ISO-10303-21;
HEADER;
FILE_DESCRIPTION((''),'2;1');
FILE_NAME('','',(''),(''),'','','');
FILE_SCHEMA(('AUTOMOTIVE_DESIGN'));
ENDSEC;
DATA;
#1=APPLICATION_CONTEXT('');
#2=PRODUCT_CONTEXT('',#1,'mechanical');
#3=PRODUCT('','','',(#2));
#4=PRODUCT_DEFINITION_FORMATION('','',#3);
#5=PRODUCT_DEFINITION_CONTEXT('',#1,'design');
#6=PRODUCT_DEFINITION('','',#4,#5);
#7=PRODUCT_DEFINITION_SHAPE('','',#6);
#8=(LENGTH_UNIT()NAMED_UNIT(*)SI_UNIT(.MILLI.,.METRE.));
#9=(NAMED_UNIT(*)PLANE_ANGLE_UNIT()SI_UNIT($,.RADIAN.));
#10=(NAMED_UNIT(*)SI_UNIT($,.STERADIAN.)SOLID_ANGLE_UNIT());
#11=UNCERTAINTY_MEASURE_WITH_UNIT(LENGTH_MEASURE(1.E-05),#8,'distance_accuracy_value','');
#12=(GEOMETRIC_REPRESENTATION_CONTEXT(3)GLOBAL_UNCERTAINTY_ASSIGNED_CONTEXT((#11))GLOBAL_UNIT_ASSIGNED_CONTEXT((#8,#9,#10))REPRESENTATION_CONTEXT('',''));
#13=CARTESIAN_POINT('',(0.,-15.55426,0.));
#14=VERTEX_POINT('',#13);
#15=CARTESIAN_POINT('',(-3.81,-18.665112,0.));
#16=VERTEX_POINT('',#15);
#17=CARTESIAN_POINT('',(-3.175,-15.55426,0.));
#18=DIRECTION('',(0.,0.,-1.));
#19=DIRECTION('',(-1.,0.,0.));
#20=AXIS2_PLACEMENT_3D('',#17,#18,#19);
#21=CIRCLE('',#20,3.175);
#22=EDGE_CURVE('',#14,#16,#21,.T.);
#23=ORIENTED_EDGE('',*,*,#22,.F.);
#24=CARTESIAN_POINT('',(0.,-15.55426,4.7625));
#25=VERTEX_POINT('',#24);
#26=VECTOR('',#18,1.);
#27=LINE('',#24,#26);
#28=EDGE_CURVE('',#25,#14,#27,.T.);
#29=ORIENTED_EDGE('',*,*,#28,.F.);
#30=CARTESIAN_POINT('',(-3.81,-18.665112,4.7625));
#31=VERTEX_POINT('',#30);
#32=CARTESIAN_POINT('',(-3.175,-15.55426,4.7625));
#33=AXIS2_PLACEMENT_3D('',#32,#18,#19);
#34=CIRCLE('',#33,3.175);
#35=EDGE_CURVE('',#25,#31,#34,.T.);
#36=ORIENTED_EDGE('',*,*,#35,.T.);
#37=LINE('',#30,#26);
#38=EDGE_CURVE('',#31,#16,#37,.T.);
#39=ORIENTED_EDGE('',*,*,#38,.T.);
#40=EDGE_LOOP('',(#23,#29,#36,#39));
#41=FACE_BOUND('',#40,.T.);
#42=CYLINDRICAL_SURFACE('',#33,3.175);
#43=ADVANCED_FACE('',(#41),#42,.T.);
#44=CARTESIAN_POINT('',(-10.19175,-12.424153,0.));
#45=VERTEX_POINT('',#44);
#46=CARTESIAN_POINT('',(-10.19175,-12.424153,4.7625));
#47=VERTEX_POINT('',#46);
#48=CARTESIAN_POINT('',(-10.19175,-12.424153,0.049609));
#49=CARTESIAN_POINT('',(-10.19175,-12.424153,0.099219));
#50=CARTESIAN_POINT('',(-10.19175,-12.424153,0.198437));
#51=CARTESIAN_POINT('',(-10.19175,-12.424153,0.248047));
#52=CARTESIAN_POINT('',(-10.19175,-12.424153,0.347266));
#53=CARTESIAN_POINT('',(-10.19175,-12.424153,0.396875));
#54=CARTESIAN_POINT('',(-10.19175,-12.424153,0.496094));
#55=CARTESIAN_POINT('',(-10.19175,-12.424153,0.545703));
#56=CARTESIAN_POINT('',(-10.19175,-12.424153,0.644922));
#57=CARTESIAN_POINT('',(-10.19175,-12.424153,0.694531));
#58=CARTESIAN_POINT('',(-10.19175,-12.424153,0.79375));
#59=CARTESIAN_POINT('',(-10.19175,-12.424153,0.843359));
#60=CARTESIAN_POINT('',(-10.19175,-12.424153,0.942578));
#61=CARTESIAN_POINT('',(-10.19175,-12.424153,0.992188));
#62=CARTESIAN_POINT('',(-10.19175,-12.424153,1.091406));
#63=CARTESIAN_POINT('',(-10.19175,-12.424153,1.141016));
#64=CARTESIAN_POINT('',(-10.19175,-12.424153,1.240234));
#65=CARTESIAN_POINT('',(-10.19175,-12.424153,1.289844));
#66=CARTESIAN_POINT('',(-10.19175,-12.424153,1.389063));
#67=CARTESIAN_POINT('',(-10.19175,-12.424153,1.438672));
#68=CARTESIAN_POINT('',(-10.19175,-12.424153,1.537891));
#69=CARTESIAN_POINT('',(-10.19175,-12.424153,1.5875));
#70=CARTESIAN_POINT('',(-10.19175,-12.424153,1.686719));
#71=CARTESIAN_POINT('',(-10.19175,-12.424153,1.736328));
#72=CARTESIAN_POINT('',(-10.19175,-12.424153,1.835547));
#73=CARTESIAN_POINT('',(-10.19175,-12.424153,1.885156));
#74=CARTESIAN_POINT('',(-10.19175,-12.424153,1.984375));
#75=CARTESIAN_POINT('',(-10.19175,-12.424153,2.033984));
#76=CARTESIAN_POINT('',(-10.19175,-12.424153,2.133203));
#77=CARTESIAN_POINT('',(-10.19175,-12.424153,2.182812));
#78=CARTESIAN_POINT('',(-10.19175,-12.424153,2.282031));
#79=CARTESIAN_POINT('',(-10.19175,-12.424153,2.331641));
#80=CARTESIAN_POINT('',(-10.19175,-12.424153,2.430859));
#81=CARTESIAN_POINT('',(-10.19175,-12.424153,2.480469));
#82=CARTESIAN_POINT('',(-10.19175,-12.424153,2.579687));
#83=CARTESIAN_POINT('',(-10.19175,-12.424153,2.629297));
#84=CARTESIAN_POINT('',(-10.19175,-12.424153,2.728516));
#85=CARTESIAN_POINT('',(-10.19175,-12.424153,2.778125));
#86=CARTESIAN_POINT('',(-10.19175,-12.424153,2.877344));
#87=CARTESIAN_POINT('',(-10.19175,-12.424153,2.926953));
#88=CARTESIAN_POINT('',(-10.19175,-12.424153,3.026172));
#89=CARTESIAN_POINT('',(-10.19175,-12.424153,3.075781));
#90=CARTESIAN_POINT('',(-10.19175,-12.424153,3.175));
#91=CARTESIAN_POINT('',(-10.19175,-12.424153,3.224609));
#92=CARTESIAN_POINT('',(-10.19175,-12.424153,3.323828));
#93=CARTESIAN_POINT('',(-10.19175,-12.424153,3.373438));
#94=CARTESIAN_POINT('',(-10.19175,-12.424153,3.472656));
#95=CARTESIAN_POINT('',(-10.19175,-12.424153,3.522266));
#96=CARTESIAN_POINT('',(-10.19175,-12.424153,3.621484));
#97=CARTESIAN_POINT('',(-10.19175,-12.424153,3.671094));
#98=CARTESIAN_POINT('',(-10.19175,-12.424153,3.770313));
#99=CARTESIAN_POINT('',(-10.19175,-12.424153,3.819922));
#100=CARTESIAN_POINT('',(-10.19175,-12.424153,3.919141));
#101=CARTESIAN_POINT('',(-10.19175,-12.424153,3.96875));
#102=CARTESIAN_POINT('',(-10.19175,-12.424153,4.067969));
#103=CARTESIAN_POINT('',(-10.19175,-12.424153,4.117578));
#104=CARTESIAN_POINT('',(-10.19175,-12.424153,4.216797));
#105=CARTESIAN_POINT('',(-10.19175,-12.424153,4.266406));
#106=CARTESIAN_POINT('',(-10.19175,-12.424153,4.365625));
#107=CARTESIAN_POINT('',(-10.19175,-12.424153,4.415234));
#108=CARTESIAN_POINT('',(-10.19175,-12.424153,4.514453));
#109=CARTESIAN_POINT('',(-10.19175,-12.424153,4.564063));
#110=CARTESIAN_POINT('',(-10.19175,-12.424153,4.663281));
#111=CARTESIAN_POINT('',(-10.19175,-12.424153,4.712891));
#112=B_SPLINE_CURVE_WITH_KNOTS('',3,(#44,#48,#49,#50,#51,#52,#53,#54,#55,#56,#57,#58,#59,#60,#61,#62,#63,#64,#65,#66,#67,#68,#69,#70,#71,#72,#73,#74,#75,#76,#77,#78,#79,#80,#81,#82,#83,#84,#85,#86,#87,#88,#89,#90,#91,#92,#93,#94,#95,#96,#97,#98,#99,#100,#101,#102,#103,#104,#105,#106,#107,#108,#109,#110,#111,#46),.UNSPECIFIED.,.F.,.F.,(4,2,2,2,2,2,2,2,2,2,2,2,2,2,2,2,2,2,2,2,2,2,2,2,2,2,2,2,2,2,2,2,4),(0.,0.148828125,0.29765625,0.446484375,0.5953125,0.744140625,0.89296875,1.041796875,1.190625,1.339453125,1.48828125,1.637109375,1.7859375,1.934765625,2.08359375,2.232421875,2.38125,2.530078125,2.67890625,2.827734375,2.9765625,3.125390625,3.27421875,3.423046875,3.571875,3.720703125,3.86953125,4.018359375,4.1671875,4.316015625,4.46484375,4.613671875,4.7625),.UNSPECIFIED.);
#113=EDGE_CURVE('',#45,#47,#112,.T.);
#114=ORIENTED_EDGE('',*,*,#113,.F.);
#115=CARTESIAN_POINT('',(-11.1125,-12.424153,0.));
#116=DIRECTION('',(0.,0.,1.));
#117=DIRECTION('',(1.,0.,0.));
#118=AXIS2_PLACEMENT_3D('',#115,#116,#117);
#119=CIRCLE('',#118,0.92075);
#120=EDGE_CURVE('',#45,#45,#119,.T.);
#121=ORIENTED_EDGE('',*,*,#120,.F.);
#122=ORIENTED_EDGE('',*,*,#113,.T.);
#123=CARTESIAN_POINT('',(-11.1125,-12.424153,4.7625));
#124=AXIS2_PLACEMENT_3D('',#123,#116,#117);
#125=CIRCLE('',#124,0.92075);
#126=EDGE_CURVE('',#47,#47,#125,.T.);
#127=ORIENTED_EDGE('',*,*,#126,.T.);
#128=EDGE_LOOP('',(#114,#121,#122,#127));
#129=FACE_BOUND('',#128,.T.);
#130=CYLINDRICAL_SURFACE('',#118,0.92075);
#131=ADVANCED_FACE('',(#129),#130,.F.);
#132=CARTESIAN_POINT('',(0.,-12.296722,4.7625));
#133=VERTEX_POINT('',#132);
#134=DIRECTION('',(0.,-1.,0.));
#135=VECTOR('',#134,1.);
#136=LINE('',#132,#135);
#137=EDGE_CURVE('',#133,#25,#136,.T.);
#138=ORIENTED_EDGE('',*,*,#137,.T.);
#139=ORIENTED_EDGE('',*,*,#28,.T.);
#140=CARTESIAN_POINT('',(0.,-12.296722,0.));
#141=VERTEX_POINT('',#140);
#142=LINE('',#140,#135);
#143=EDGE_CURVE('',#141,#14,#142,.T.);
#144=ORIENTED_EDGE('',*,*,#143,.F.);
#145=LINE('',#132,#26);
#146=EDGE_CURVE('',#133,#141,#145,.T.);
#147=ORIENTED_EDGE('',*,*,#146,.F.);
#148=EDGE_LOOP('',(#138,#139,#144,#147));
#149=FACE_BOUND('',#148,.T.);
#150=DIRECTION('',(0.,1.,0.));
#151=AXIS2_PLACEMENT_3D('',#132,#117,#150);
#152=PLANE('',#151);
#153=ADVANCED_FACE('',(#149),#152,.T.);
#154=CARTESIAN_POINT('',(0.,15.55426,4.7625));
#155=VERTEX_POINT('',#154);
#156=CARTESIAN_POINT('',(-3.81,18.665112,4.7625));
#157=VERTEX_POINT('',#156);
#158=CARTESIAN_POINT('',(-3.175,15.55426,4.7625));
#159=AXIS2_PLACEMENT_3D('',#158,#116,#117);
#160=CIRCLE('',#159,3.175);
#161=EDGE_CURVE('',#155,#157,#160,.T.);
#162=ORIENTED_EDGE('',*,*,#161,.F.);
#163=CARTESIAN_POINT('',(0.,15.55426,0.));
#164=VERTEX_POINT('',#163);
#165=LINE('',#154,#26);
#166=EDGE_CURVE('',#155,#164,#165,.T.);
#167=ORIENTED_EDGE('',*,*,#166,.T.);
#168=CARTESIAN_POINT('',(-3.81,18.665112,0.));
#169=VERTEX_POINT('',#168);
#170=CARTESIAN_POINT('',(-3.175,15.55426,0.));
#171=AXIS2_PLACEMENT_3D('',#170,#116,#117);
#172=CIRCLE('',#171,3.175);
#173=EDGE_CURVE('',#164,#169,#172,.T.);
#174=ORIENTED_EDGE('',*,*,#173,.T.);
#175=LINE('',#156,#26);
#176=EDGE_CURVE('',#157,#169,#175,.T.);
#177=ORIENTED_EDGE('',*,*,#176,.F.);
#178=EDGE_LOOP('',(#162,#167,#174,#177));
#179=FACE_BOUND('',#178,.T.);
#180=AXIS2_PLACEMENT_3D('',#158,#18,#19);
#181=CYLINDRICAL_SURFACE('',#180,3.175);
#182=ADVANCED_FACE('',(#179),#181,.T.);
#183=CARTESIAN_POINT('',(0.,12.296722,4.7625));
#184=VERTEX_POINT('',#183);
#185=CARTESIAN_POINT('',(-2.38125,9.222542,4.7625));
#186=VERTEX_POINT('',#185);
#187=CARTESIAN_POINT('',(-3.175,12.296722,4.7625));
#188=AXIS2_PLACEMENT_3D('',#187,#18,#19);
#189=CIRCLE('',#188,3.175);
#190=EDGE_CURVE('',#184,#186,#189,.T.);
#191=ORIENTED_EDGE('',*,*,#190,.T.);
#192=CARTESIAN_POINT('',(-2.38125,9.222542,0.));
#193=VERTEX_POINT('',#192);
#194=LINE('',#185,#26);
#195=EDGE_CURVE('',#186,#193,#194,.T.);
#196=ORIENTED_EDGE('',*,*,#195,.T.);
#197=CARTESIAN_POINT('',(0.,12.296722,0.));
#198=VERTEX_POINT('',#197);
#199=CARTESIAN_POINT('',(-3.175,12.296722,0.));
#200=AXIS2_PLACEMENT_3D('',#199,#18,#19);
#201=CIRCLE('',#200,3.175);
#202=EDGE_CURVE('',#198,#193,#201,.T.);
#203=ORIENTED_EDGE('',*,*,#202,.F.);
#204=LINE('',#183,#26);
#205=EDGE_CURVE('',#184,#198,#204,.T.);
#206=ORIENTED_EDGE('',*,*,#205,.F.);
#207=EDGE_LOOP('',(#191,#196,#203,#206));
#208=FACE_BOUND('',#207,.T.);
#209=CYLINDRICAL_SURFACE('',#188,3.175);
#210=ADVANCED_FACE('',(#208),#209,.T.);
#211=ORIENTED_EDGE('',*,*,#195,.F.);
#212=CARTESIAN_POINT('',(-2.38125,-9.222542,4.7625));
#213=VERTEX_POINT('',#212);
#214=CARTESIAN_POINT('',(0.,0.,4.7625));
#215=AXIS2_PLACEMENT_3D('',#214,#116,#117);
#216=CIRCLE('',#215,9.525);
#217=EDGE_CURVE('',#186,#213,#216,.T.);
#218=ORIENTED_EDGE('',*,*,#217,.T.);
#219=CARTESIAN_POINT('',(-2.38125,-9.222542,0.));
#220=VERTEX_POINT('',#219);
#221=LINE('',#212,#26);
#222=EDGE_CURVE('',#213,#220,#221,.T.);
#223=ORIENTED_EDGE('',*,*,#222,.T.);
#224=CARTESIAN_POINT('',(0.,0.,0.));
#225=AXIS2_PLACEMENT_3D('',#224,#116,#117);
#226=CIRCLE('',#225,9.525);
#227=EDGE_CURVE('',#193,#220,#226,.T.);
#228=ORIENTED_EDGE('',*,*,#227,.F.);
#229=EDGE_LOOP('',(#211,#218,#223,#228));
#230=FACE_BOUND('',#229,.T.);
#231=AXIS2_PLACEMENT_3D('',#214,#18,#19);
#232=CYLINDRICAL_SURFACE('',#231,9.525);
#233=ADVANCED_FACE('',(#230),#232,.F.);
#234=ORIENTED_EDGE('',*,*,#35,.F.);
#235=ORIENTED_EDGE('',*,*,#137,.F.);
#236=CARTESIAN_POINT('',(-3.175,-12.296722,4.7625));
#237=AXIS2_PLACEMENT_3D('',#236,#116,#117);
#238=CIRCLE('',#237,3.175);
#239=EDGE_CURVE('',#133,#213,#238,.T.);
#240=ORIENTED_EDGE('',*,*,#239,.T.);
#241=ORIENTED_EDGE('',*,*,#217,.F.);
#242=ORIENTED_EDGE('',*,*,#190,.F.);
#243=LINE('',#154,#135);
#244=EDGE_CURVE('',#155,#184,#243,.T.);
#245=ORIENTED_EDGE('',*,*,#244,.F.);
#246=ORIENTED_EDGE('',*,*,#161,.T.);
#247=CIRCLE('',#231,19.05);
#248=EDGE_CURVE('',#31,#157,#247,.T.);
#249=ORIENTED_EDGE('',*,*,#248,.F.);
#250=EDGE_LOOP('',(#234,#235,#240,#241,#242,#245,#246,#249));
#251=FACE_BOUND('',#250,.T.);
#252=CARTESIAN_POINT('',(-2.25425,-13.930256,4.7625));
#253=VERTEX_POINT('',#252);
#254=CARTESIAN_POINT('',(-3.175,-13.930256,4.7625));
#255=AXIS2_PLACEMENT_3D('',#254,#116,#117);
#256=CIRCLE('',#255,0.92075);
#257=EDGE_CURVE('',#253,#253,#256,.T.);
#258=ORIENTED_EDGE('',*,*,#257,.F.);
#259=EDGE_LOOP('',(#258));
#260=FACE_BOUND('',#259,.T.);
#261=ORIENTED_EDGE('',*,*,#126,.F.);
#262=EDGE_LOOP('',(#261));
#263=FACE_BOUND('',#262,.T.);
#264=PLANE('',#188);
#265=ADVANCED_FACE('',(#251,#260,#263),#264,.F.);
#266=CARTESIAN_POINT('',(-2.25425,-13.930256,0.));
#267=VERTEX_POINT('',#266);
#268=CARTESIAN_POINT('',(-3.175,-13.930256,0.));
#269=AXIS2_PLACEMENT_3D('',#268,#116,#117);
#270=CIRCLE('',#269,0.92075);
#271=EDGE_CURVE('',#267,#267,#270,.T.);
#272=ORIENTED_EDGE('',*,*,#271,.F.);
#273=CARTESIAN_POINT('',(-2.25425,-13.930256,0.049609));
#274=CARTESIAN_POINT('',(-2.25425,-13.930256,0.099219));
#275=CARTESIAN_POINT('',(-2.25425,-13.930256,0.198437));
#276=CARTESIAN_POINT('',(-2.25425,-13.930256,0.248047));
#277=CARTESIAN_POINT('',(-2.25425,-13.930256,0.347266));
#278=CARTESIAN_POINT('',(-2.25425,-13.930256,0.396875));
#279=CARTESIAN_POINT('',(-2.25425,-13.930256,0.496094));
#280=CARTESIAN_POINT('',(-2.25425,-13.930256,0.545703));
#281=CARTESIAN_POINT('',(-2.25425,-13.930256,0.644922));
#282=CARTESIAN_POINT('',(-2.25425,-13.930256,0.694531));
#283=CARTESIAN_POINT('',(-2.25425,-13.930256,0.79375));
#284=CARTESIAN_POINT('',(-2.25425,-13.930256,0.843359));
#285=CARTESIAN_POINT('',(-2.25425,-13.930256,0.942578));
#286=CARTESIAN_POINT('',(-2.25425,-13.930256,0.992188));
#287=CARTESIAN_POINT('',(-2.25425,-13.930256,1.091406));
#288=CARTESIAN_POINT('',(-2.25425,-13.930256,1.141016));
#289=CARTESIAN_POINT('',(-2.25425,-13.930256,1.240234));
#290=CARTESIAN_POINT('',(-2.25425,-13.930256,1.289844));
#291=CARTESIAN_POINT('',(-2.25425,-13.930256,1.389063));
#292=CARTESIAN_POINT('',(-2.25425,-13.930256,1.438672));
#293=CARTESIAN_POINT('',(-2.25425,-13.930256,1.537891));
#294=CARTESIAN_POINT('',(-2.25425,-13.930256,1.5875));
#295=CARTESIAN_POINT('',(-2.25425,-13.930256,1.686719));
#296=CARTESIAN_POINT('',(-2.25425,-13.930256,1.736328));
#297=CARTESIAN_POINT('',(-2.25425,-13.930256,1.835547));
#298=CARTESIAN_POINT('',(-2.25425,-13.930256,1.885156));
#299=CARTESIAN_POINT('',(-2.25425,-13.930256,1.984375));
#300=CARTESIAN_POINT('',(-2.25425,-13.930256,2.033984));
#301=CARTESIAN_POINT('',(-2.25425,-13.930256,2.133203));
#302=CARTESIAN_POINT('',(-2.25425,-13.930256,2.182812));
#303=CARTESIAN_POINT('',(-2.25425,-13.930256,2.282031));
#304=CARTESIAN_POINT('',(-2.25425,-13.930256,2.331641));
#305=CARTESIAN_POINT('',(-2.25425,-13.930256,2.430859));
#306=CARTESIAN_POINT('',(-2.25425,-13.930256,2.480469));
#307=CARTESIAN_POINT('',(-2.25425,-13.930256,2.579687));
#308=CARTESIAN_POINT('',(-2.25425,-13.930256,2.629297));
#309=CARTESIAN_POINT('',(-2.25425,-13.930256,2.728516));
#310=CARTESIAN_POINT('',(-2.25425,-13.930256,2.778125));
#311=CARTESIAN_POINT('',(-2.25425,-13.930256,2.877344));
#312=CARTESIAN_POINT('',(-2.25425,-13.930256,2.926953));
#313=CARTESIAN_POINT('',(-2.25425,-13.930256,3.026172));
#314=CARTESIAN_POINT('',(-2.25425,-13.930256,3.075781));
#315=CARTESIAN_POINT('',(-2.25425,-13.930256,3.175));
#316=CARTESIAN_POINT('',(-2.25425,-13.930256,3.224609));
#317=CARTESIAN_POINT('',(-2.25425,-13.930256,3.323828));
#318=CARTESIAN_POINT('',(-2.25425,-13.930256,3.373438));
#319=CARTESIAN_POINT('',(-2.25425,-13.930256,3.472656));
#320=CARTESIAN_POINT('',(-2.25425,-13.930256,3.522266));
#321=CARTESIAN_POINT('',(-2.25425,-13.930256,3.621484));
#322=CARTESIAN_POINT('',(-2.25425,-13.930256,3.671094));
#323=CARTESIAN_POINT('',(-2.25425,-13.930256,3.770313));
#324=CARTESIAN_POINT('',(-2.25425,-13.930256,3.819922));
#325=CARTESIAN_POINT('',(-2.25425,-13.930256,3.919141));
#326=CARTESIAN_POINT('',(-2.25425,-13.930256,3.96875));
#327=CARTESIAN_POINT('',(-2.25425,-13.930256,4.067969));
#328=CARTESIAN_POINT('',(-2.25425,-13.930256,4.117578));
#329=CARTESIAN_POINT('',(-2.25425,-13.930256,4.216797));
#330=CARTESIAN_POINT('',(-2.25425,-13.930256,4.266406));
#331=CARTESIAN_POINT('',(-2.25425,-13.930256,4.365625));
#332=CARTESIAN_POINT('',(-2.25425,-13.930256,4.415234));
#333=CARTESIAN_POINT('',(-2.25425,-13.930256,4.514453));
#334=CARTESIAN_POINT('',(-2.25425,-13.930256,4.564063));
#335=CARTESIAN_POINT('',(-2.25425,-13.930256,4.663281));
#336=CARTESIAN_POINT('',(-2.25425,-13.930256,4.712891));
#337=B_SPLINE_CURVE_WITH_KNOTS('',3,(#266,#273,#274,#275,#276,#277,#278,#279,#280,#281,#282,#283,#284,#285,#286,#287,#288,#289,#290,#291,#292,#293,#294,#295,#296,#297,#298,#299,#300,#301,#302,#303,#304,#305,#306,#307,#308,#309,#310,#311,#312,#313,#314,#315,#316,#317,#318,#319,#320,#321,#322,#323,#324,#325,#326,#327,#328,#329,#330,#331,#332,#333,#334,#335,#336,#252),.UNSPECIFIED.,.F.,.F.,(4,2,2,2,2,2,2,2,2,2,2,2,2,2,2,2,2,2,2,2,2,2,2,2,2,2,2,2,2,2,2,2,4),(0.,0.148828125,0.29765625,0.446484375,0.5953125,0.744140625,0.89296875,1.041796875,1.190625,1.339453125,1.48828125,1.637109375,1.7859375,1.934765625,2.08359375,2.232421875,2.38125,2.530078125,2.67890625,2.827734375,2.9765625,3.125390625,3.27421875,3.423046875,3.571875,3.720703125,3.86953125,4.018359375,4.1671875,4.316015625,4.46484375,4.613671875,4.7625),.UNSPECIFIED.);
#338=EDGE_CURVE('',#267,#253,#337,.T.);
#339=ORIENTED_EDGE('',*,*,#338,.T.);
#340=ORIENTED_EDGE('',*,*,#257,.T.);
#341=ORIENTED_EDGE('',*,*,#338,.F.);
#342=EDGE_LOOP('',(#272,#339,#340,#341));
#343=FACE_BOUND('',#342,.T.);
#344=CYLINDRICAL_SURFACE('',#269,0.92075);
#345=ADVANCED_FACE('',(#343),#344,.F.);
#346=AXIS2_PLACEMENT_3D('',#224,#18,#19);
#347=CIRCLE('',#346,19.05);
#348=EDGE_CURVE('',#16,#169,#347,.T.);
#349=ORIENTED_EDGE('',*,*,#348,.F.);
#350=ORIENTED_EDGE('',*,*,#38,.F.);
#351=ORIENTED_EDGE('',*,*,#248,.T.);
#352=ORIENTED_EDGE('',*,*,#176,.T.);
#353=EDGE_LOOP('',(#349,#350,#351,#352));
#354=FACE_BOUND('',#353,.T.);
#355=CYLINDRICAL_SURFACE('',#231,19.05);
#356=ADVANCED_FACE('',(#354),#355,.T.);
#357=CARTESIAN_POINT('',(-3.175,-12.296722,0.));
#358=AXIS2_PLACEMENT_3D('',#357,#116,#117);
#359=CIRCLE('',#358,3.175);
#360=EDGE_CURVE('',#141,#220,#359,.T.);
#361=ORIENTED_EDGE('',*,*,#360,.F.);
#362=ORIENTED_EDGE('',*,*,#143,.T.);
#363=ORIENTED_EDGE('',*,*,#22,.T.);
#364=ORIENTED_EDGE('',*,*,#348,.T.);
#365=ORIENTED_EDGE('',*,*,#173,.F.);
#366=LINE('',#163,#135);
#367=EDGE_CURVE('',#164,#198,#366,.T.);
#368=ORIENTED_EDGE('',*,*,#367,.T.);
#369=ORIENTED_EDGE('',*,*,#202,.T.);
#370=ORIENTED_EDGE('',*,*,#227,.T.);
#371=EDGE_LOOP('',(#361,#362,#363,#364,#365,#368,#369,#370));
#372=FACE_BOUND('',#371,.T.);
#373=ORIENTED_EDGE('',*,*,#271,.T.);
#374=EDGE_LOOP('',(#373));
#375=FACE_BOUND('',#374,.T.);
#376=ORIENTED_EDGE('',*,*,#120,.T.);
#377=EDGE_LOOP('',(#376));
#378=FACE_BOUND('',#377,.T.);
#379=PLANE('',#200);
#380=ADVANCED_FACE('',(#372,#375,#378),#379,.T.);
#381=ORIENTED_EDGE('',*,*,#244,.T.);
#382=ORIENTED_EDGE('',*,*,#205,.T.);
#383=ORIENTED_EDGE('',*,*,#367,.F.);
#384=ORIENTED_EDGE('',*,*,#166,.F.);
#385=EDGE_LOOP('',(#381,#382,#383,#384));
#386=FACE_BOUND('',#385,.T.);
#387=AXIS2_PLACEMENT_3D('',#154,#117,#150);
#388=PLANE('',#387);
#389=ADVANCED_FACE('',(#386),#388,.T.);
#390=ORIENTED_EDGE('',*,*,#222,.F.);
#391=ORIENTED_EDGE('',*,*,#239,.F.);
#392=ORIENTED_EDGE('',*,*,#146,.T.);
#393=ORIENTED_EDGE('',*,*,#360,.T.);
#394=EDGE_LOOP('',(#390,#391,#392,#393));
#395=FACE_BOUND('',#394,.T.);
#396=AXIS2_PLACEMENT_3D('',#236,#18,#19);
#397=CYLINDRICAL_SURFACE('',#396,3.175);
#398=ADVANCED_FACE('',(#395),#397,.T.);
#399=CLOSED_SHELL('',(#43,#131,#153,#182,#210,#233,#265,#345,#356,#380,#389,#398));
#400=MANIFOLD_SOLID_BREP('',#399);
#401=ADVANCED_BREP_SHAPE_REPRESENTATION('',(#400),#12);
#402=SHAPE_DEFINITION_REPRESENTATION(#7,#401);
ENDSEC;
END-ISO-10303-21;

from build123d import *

# Parameters (mm, degrees)
FINGER_BODY_DEPTH      = 4.7625
SKETCH5_R              = 0.92075
FINGER_PIN_HOLES_DEPTH = 28.13612134


with BuildPart() as part:
    # Finger Drawing → Finger Body (new body)
    with BuildSketch(Plane.XY):
        with BuildLine():
            Line((0, 15.554259867), (0, 12.296722124))
            ThreePointArc((0, 12.296722124), (-0.664942107, 10.352439641), (-2.38125, 9.222541593))
            ThreePointArc((-2.38125, 9.222541593), (-9.525, 0), (-2.38125, -9.222541593))
            ThreePointArc((-2.38125, -9.222541593), (-0.664942107, -10.352439641), (0, -12.296722124))
            Line((0, -12.296722124), (0, -15.554259867))
            ThreePointArc((0, -15.554259867), (-1.166953686, -18.013604292), (-3.81, -18.66511184))
            ThreePointArc((-3.81, -18.66511184), (-19.05, 0), (-3.81, 18.66511184))
            ThreePointArc((-3.81, 18.66511184), (-1.166953686, 18.013604292), (0, 15.554259867))
        make_face()
    extrude(amount=FINGER_BODY_DEPTH)

    # Sketch5 → Finger Pin Holes (cut, through all)
    with BuildSketch(Plane.XY.offset(4.7625)):
        with Locations((-3.175, -13.930255965)):
            Circle(SKETCH5_R)
        with Locations((-11.1125, -12.4241527)):
            Circle(SKETCH5_R)
    extrude(amount=-FINGER_PIN_HOLES_DEPTH, mode=Mode.SUBTRACT)


solid = part.part
